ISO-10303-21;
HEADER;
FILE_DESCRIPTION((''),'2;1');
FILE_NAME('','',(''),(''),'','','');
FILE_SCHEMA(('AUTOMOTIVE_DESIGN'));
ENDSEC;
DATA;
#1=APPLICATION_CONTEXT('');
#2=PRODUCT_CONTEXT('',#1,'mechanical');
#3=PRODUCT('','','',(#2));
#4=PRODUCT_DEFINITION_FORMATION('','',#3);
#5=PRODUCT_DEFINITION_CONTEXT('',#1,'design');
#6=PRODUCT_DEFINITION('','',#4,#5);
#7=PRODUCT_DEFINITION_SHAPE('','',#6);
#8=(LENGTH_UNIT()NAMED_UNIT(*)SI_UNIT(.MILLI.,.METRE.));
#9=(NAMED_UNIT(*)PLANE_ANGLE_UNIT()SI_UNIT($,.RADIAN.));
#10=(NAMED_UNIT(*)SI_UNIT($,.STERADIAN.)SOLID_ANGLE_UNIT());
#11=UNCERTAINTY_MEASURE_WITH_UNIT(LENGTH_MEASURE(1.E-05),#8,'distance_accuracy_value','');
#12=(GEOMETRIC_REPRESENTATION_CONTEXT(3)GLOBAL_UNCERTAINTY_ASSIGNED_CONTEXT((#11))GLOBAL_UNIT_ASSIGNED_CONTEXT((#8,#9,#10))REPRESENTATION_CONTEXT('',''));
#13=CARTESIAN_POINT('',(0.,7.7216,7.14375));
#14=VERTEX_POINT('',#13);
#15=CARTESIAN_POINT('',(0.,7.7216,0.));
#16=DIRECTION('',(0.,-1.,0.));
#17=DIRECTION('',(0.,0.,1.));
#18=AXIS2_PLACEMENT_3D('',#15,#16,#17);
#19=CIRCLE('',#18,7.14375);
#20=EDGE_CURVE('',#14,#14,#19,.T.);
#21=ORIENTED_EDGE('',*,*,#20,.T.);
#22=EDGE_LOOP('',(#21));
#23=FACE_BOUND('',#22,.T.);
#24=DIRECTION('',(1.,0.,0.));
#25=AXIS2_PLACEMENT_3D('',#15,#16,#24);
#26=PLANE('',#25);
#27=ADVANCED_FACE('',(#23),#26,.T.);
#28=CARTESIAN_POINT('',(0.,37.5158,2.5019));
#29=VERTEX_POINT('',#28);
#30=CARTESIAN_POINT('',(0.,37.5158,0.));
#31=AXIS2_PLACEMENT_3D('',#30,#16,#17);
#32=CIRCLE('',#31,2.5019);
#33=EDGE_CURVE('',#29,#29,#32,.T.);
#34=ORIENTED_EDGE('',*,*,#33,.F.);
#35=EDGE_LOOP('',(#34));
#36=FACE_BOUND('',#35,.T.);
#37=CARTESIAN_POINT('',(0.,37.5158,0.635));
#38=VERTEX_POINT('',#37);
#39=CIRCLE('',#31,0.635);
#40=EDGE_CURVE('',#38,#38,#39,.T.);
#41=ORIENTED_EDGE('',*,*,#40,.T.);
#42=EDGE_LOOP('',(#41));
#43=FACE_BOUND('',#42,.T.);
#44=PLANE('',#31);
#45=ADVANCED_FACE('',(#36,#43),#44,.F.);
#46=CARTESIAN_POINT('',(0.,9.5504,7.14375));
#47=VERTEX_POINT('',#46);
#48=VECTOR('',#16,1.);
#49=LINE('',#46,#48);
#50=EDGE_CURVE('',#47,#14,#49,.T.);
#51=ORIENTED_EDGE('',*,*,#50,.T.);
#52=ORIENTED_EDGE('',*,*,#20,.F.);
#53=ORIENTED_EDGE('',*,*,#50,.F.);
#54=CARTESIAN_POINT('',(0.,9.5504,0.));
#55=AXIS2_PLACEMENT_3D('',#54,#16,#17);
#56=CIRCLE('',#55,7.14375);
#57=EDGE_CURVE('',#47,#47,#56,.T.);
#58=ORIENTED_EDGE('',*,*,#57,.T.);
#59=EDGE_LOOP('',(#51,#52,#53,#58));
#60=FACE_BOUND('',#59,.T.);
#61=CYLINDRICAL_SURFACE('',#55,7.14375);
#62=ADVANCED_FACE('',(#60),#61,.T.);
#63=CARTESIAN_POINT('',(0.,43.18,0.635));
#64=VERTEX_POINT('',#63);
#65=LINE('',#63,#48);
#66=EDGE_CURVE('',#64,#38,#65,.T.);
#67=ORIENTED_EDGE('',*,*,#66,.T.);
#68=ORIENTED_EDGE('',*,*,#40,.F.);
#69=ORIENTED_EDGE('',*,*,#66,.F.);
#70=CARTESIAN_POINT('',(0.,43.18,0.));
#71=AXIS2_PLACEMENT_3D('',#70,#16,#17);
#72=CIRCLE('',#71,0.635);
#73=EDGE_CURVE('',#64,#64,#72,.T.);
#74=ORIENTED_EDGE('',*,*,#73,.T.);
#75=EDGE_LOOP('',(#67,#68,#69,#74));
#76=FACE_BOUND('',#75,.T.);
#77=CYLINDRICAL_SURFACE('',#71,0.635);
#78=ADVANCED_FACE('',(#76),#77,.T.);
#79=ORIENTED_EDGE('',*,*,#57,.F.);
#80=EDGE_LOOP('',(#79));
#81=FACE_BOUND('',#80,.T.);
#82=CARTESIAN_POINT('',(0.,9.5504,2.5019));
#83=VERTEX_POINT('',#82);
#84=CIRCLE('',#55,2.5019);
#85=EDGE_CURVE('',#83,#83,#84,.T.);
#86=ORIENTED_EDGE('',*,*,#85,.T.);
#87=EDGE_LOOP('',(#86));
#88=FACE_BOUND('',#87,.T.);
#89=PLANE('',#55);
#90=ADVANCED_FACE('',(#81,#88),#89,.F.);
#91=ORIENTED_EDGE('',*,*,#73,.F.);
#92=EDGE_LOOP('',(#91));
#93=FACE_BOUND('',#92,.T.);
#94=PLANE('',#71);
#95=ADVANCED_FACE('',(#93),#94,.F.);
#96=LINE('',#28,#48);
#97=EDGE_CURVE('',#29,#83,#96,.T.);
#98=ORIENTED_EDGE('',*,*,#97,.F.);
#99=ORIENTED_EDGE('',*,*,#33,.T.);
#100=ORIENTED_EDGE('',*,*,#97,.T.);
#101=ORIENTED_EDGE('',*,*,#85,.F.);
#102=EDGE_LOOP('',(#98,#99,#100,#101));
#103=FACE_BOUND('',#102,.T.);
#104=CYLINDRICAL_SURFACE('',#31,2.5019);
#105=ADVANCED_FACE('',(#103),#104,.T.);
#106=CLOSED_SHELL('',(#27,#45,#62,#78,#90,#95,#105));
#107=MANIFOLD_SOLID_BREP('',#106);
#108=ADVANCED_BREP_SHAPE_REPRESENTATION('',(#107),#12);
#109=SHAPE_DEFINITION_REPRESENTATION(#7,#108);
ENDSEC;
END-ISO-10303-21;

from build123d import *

# Parameters (mm, degrees)
F2_R     = 9.525
F3_DEPTH = 7.7216


with BuildPart() as f1:
    # F0 (on Right) → F1 (revolve)
    with BuildSketch(Plane.YZ):
        Polygon((0, 7.14375), (0, 0), (43.18, 0), (43.18, 0.635), (37.5158, 0.635), (37.5158, 2.5019), (9.5504, 2.5019), (9.5504, 7.14375), align=None)
    revolve(axis=Axis((0, -1.133929, 0), (0, -1, 0)))

    # F2 (on face) → F3 (cut)
    with BuildSketch(Plane.XZ):
        Circle(F2_R)
    extrude(amount=-F3_DEPTH, mode=Mode.SUBTRACT)


solid = f1.part
